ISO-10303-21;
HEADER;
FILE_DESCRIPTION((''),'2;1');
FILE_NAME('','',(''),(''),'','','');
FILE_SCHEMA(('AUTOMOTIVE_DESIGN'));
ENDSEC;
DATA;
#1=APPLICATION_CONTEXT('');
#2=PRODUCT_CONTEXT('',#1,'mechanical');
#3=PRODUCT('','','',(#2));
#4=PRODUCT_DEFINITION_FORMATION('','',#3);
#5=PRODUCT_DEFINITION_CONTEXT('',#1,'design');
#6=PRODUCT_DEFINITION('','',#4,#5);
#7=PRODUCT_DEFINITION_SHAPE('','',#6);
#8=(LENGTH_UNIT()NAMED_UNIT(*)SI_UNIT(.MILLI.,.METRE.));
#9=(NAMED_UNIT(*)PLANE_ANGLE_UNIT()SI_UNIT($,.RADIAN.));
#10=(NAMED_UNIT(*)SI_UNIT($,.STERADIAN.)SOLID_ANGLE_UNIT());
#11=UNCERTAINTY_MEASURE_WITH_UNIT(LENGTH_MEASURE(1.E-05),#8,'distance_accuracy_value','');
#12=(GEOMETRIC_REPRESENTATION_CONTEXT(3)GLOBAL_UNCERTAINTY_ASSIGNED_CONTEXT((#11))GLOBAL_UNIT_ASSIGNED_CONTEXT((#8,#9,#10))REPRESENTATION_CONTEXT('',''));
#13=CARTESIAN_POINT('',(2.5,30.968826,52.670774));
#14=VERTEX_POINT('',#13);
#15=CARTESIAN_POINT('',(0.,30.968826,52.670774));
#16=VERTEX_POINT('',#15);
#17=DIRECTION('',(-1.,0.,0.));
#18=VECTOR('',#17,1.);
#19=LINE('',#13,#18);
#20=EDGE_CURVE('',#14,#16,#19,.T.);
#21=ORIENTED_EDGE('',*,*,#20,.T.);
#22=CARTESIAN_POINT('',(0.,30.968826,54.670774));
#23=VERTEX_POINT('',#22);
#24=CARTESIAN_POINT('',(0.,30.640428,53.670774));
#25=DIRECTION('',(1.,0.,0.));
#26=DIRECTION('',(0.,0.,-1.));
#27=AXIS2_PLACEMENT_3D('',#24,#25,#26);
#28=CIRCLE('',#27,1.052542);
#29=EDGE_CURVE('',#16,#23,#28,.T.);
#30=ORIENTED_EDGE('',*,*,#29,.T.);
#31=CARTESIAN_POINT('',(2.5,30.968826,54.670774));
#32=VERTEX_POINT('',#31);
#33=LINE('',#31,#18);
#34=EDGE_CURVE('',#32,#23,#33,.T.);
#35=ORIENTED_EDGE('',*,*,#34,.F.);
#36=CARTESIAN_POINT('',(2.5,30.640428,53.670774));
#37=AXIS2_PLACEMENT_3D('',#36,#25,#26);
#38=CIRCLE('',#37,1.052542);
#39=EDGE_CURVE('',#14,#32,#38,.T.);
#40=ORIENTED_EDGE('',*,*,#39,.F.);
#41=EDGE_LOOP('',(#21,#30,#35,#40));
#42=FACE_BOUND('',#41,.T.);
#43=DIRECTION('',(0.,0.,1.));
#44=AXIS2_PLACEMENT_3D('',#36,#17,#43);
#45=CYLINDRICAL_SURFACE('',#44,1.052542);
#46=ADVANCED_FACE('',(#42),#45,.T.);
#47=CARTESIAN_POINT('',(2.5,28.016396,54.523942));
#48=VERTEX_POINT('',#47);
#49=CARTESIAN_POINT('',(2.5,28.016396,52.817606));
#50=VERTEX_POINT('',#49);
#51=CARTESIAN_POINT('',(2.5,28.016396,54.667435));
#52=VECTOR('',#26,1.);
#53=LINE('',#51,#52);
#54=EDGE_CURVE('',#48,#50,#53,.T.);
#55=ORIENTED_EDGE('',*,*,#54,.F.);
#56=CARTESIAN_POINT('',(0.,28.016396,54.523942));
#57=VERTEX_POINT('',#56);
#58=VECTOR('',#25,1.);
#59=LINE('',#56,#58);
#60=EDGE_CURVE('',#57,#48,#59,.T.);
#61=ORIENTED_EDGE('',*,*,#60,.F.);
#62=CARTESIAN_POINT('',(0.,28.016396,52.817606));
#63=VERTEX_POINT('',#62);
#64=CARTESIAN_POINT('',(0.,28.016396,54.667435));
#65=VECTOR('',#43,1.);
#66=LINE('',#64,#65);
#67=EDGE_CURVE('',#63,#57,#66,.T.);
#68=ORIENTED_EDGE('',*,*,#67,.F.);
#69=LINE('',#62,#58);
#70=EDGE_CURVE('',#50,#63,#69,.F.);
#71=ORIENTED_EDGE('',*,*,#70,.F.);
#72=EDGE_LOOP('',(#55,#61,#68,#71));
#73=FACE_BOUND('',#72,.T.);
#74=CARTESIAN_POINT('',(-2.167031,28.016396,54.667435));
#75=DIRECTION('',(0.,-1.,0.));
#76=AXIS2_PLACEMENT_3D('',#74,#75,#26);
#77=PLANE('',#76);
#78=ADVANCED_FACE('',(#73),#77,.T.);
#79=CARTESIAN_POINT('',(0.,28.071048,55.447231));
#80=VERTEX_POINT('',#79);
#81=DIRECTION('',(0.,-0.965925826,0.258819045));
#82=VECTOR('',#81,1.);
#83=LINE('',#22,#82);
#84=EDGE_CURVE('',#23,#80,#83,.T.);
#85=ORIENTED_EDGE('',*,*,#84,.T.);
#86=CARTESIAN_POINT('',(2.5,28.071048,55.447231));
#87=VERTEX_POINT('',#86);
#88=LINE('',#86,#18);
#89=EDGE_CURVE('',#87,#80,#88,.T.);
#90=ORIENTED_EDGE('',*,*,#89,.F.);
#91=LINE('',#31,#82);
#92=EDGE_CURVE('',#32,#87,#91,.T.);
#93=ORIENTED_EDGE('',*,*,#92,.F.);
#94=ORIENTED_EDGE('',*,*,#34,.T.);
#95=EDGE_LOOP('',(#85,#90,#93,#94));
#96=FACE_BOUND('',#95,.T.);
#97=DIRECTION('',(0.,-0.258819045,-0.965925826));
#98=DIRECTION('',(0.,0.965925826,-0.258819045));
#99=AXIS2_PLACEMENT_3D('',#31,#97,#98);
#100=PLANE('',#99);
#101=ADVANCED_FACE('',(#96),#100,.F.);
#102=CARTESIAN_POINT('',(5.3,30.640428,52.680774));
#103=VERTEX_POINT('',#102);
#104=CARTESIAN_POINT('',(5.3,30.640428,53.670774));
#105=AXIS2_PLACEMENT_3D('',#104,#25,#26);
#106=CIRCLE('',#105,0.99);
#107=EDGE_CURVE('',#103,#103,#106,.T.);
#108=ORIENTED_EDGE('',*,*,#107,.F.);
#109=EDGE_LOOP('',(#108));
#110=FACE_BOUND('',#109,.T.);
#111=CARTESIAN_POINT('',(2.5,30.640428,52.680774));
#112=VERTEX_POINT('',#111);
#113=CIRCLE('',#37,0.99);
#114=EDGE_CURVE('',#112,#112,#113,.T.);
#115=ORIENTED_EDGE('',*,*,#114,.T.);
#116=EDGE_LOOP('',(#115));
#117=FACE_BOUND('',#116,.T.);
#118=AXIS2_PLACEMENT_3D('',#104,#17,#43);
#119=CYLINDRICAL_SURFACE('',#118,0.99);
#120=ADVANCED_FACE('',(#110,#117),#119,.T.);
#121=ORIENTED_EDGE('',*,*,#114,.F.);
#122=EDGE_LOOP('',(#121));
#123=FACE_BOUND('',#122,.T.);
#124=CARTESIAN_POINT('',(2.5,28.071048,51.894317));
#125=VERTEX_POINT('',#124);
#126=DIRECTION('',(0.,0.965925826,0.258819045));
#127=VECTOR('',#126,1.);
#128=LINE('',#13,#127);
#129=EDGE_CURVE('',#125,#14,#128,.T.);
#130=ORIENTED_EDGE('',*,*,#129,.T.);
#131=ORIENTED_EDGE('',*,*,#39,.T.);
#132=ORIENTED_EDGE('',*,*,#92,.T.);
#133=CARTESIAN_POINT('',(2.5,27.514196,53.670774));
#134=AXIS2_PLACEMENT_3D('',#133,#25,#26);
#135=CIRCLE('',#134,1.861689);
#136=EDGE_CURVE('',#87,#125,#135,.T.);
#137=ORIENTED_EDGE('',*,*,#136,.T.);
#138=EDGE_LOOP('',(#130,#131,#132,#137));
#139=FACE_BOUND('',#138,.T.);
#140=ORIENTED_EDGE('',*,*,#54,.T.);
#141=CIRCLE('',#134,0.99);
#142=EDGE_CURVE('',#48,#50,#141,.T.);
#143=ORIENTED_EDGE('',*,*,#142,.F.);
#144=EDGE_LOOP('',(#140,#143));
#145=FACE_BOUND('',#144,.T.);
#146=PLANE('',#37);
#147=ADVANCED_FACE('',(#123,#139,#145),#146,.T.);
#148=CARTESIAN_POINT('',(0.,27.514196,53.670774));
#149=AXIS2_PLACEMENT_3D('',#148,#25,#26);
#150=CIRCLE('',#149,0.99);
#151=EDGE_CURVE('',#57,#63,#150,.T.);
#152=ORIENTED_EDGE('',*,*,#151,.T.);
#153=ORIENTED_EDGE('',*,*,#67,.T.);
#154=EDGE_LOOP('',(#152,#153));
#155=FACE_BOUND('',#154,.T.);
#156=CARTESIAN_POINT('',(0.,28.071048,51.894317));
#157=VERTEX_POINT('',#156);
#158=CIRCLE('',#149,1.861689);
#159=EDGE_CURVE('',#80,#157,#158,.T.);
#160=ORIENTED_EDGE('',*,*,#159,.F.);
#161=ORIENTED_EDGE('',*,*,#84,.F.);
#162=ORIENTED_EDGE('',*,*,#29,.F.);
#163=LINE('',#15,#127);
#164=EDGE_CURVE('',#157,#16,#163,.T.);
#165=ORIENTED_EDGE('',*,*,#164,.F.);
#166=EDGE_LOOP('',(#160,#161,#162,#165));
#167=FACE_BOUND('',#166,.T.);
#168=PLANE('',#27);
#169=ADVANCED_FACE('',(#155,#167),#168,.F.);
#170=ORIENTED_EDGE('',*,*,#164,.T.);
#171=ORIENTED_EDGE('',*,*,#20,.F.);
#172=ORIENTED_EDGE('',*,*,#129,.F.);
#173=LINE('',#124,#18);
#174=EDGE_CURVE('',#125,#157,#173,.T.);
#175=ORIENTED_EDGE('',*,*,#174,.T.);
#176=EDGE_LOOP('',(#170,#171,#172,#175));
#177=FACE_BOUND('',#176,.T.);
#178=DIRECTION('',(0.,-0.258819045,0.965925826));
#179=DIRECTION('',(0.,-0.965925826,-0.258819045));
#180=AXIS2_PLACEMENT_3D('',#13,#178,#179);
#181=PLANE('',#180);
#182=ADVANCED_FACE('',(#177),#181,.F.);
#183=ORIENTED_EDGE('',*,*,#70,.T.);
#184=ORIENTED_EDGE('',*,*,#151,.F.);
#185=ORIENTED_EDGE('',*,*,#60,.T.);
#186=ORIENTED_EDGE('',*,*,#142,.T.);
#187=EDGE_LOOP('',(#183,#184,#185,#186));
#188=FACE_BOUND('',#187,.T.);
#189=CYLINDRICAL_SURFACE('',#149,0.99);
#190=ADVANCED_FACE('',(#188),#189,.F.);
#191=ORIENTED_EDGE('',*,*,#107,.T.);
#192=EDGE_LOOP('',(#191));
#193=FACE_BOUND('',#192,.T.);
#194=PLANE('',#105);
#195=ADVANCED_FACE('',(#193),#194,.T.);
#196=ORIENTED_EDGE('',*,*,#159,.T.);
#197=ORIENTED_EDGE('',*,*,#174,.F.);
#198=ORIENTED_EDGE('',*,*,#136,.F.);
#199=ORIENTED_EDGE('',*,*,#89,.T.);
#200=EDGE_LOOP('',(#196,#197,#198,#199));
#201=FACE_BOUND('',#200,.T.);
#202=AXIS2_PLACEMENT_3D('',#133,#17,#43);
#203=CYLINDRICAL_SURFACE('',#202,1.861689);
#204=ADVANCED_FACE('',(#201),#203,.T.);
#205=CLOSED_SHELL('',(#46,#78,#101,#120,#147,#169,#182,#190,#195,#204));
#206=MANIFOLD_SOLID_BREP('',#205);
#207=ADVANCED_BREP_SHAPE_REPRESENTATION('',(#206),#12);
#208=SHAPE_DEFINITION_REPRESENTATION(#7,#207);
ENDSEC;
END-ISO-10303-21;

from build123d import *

# Parameters (mm, degrees)
BOSS_EXTRUDE2_DEPTH = 2.5
SKETCH4_R           = 0.99
CUT_EXTRUDE2_DEPTH  = 64.988660757
SKETCH6_R           = 0.99
BOSS_EXTRUDE4_DEPTH = 2.8
SKETCH7_W           = 2.01987101
SKETCH7_H           = 0.78494751
BOSS_EXTRUDE5_DEPTH = 2.5


with BuildPart() as part:
    # Sketch3 → Boss-Extrude2 (new body)
    with BuildSketch(Plane(origin=(0, 0, 0), x_dir=(0, 0, -1), z_dir=(1, 0, 0))):
        with BuildLine():
            Line((-54.67077374, 30.968825597), (-55.447230875, 28.071048118))
            ThreePointArc((-55.447230875, 28.071048118), (-53.67077374, 25.652507451), (-51.894316605, 28.071048118))
            Line((-51.894316605, 28.071048118), (-52.67077374, 30.968825597))
            ThreePointArc((-52.67077374, 30.968825597), (-53.67077374, 31.692969852), (-54.67077374, 30.968825597))
        make_face()
    extrude(amount=BOSS_EXTRUDE2_DEPTH)

    # Sketch4 → Cut-Extrude2 (cut, through all)
    with BuildSketch(Plane(origin=(2.5, 0, 0), x_dir=(0, 0, -1), z_dir=(1, 0, 0))):
        with Locations((-53.67077374, 27.514195996)):
            Circle(SKETCH4_R)
    extrude(amount=-CUT_EXTRUDE2_DEPTH, mode=Mode.SUBTRACT)

    # Sketch6 → Boss-Extrude4 (add)
    with BuildSketch(Plane(origin=(2.5, 0, 0), x_dir=(0, 0, -1), z_dir=(1, 0, 0))):
        with Locations((-53.67077374, 30.640427563)):
            Circle(SKETCH6_R)
    extrude(amount=BOSS_EXTRUDE4_DEPTH)

    # Sketch7 → Boss-Extrude5 (add)
    with BuildSketch(Plane(origin=(2.5, 0, 0), x_dir=(0, 0, -1), z_dir=(1, 0, 0))):
        with Locations((-53.657499813, 28.408869671)):
            Rectangle(SKETCH7_W, SKETCH7_H)
    extrude(amount=-BOSS_EXTRUDE5_DEPTH)


solid = part.part
